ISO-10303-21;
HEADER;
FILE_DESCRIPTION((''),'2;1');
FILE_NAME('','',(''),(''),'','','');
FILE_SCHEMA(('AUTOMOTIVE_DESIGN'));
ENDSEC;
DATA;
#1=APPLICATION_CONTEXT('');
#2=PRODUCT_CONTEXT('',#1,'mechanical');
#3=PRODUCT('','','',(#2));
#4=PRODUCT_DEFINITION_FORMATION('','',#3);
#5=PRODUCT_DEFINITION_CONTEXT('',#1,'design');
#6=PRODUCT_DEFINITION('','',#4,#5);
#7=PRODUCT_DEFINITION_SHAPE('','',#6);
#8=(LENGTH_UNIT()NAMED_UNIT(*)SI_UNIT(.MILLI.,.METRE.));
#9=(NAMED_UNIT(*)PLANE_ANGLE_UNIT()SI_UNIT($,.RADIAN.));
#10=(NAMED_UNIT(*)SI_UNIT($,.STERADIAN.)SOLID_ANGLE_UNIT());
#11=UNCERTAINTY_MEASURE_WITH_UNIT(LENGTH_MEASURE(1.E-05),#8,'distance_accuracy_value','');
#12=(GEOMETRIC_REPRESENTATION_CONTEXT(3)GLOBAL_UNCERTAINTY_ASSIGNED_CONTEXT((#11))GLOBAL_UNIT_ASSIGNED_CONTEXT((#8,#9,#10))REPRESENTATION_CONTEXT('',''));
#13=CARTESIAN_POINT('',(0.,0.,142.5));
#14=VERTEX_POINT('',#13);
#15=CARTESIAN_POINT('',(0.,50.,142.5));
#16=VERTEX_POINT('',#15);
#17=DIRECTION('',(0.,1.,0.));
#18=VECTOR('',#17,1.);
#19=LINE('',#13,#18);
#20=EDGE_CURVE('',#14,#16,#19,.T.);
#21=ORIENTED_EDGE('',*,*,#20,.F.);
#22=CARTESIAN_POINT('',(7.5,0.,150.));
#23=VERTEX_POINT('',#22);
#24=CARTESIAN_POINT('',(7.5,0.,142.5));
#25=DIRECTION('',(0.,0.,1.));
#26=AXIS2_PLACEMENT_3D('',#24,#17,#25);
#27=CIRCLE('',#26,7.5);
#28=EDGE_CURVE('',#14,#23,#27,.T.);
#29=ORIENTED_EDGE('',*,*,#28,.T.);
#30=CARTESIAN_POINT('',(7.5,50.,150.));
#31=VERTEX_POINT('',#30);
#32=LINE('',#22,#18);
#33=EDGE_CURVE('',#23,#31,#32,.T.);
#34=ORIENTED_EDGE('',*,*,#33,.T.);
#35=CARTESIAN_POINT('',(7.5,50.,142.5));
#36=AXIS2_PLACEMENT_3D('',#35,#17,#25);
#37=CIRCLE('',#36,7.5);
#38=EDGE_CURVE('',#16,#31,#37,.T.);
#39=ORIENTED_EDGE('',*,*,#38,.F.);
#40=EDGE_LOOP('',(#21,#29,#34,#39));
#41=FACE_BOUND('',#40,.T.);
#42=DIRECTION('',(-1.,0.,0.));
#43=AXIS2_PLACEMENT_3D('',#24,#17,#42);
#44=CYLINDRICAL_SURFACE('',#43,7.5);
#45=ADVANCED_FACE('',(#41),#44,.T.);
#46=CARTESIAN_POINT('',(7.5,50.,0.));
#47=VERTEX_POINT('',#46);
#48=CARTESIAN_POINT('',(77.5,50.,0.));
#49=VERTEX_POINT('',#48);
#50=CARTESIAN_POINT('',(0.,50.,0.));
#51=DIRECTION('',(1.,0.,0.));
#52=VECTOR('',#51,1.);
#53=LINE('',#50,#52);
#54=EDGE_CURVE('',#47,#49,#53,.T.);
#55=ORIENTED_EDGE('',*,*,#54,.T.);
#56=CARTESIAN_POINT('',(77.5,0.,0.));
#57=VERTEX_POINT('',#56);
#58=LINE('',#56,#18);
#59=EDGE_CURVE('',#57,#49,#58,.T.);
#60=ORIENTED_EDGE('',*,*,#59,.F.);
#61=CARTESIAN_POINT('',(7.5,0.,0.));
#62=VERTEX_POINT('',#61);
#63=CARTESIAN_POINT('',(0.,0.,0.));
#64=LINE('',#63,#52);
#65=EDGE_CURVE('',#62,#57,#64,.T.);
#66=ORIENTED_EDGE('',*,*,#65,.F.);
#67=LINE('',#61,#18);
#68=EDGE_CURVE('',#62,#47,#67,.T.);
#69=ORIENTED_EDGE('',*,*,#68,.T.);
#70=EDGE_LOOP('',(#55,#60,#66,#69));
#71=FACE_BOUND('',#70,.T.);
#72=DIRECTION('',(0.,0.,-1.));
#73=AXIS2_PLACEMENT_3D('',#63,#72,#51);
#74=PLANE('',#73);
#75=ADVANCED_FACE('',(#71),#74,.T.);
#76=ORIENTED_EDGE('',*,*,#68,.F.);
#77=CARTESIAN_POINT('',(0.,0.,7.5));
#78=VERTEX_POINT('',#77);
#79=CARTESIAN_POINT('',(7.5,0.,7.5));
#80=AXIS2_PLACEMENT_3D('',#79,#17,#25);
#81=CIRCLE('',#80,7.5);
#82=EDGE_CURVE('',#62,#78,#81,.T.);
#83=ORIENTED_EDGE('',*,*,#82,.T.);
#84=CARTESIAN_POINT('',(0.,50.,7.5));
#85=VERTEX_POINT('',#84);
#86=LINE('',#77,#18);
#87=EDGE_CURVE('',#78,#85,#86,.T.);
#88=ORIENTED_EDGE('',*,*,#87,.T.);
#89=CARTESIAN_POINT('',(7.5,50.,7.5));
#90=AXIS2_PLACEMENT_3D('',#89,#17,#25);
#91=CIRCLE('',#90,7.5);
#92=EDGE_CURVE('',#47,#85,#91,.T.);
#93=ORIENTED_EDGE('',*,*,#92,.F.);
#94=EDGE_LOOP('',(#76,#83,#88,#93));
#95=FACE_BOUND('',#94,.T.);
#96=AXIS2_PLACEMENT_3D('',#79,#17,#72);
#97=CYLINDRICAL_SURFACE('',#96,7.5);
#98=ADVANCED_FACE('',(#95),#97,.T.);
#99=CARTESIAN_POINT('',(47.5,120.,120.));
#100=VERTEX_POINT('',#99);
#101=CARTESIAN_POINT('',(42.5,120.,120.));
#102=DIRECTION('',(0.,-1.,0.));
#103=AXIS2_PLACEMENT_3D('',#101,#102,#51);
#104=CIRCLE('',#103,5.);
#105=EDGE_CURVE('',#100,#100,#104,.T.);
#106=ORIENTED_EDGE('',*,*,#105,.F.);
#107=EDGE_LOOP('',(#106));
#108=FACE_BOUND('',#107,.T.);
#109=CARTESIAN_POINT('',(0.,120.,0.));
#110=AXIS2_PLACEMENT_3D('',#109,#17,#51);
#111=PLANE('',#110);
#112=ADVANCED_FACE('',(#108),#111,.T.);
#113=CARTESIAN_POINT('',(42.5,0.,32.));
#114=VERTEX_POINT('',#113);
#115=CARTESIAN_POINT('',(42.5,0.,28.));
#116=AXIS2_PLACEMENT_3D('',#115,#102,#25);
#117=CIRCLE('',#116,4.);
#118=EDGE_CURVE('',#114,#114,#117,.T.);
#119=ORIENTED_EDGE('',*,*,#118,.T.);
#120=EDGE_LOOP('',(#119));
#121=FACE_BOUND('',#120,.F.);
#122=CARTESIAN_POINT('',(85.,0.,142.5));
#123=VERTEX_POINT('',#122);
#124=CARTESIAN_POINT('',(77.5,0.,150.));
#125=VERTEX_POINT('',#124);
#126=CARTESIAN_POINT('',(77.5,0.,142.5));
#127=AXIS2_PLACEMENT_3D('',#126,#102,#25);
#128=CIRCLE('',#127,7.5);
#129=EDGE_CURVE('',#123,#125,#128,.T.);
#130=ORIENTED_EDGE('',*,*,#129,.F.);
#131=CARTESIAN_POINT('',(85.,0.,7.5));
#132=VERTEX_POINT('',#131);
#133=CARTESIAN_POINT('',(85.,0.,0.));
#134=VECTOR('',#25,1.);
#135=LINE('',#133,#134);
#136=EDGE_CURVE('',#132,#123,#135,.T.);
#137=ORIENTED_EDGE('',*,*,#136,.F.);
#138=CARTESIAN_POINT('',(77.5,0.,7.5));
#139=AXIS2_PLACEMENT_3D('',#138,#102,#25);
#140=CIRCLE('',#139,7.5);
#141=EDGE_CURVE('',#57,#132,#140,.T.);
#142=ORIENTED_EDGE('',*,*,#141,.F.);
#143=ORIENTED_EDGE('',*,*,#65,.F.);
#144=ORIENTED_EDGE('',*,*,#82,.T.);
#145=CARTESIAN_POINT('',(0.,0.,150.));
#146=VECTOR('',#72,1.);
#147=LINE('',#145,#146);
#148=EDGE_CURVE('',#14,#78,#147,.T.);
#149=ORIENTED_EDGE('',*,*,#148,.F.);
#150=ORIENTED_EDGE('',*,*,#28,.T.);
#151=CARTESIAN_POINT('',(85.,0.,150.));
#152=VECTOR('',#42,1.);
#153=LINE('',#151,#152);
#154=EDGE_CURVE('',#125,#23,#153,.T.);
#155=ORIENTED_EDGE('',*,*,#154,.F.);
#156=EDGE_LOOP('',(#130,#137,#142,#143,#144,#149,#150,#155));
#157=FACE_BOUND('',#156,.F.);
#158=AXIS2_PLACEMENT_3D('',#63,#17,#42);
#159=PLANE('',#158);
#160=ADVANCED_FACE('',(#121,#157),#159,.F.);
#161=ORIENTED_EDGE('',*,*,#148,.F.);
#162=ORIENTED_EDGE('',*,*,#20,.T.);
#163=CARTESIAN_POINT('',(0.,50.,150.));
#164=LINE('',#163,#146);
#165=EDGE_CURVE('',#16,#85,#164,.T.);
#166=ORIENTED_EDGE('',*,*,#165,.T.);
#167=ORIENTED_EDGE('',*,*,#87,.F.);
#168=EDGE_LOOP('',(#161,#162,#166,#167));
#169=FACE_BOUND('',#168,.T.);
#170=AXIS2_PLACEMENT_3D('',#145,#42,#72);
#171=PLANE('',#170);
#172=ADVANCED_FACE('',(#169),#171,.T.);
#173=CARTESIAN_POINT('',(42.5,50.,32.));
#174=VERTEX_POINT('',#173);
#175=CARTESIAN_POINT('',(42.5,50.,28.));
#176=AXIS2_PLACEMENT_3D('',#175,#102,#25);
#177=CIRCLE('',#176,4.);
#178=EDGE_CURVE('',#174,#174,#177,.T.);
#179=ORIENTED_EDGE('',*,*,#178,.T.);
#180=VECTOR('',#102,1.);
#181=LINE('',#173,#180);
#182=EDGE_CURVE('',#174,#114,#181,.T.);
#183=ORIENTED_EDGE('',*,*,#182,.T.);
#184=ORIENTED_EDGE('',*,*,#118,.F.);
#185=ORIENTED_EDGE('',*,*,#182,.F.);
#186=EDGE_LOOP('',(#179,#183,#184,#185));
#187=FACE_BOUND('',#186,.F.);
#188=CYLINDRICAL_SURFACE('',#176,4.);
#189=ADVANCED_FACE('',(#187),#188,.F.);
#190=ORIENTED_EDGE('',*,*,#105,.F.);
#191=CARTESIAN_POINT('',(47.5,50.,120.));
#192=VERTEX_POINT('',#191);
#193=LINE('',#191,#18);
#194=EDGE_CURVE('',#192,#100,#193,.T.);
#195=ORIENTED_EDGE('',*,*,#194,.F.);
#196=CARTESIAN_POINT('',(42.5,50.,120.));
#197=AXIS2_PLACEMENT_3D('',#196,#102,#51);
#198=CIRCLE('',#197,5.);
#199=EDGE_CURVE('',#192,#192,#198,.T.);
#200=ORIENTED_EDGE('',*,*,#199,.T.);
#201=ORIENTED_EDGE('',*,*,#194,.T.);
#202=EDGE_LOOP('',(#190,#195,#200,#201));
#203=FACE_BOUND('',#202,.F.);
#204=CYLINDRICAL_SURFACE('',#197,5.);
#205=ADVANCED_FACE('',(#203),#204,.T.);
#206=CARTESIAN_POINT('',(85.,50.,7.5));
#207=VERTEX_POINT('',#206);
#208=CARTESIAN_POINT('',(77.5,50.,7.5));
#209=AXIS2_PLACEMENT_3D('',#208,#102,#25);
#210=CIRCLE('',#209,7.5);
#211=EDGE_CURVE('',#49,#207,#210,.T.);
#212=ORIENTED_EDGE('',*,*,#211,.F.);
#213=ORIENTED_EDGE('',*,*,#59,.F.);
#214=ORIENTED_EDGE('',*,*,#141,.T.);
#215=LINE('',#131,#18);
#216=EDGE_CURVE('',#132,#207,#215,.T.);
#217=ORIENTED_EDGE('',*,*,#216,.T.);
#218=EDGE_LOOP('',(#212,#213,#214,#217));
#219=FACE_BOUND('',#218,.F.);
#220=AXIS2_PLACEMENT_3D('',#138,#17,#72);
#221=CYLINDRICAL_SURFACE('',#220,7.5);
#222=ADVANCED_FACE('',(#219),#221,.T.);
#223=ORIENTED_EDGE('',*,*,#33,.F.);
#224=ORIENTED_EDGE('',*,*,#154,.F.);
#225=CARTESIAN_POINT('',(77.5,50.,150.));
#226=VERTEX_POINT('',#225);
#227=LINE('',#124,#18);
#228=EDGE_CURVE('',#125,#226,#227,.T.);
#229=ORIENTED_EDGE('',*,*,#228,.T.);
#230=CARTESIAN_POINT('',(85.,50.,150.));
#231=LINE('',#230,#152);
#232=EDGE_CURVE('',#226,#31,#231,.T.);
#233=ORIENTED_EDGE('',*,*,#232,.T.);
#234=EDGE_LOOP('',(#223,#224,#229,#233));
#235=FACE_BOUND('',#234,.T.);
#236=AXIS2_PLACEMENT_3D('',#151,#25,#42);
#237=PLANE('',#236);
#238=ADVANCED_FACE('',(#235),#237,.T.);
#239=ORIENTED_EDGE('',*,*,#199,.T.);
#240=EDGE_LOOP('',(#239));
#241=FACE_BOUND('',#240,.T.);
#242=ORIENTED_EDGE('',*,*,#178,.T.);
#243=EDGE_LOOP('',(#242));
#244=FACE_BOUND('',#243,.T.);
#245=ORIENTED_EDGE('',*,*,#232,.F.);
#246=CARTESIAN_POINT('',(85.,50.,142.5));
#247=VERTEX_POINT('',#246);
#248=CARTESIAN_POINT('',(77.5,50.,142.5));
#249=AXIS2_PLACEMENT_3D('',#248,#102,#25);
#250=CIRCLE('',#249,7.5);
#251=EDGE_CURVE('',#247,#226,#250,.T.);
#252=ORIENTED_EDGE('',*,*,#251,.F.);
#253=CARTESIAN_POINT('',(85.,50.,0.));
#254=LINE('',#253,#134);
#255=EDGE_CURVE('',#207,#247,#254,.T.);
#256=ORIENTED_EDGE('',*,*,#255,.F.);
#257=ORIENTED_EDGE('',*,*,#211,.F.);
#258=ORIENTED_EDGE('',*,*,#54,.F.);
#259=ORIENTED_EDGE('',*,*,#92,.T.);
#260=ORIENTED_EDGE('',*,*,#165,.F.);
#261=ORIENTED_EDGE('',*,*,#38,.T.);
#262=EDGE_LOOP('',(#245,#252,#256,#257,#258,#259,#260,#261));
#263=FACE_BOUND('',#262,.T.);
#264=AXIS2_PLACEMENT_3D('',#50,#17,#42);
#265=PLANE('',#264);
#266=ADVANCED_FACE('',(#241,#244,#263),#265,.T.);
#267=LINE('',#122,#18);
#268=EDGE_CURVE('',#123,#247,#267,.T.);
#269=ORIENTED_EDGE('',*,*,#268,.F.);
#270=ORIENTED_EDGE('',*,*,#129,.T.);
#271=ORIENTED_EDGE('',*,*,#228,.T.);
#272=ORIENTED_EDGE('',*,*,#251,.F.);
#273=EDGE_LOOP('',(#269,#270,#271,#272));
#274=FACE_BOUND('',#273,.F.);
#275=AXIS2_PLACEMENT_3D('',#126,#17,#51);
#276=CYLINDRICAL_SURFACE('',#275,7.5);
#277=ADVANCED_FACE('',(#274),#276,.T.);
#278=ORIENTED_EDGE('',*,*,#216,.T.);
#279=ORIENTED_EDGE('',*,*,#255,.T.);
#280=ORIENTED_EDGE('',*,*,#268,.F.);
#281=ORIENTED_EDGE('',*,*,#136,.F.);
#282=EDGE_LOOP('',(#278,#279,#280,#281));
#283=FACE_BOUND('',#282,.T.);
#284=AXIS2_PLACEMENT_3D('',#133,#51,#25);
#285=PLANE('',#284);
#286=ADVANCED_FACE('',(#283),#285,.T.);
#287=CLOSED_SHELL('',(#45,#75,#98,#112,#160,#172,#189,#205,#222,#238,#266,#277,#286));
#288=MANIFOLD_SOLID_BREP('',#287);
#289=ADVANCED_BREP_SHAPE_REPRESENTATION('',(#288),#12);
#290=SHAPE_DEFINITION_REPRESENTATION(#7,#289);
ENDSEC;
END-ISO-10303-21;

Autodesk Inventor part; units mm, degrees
ref_plane "YZ Plane" through (0, 0, 0) normal (1, 0, 0) x (0, 1, 0)
ref_plane "XZ Plane" through (0, 0, 0) normal (0, 1, 0) x (-1, 0, 0)
ref_plane "XY Plane" through (0, 0, 0) normal (0, 0, 1) x (1, 0, 0)
sketch "Эскиз1" plane through (0, 0, 0) normal (0, 1, 0) x (-1, 0, 0)
  line L0 (0, 0) -> (-85, 0)
  line L1 (-85, 0) -> (-85, 150)
  line L2 (-85, 150) -> (0, 150)
  line L3 (0, 150) -> (0, 0)
  dimension "d0" = 85
  dimension "d1" = 150
extrude "Выдавливание1" add sketch "Эскиз1" along normal blind 50
sketch "Эскиз2" plane through (0, 50, 0) normal (0, 1, 0) x (1, 0, 0)
  line L0 (0, 0) -> (0, -150) projected
  line L1 (0, 0) -> (42.5, 0)
  line L2 (85, 0) -> (0, 0) projected
  line L3 (42.5, 0) -> (42.5, -28)
  dimension "d5" = 42.5
  dimension "d6" = 28
hole "Отверстие1" at (42.5, 50, 28) direction (0, -1, 0) diameter 8 end through all
sketch "Эскиз3" plane through (0, 50, 0) normal (0, 1, 0) x (1, 0, 0)
  line L0 (0, 0) -> (0, -150) projected
  line L1 (0, 0) -> (0, -120)
  line L2 (0, -120) -> (42.5, -120)
  circle A0 centre (42.5, -120) radius 5
  dimension "d14" = 120
  dimension "d15" = 42.5
  dimension "d16" = 10
extrude "Выдавливание2" add sketch "Эскиз3" along normal blind 70
fillet "Сопряжение2" radius 7.5 4 edges at (0, 25, 0) (85, 25, 0) (85, 25, 150) (0, 25, 150)
properties part number "РедукторСмещенный"
